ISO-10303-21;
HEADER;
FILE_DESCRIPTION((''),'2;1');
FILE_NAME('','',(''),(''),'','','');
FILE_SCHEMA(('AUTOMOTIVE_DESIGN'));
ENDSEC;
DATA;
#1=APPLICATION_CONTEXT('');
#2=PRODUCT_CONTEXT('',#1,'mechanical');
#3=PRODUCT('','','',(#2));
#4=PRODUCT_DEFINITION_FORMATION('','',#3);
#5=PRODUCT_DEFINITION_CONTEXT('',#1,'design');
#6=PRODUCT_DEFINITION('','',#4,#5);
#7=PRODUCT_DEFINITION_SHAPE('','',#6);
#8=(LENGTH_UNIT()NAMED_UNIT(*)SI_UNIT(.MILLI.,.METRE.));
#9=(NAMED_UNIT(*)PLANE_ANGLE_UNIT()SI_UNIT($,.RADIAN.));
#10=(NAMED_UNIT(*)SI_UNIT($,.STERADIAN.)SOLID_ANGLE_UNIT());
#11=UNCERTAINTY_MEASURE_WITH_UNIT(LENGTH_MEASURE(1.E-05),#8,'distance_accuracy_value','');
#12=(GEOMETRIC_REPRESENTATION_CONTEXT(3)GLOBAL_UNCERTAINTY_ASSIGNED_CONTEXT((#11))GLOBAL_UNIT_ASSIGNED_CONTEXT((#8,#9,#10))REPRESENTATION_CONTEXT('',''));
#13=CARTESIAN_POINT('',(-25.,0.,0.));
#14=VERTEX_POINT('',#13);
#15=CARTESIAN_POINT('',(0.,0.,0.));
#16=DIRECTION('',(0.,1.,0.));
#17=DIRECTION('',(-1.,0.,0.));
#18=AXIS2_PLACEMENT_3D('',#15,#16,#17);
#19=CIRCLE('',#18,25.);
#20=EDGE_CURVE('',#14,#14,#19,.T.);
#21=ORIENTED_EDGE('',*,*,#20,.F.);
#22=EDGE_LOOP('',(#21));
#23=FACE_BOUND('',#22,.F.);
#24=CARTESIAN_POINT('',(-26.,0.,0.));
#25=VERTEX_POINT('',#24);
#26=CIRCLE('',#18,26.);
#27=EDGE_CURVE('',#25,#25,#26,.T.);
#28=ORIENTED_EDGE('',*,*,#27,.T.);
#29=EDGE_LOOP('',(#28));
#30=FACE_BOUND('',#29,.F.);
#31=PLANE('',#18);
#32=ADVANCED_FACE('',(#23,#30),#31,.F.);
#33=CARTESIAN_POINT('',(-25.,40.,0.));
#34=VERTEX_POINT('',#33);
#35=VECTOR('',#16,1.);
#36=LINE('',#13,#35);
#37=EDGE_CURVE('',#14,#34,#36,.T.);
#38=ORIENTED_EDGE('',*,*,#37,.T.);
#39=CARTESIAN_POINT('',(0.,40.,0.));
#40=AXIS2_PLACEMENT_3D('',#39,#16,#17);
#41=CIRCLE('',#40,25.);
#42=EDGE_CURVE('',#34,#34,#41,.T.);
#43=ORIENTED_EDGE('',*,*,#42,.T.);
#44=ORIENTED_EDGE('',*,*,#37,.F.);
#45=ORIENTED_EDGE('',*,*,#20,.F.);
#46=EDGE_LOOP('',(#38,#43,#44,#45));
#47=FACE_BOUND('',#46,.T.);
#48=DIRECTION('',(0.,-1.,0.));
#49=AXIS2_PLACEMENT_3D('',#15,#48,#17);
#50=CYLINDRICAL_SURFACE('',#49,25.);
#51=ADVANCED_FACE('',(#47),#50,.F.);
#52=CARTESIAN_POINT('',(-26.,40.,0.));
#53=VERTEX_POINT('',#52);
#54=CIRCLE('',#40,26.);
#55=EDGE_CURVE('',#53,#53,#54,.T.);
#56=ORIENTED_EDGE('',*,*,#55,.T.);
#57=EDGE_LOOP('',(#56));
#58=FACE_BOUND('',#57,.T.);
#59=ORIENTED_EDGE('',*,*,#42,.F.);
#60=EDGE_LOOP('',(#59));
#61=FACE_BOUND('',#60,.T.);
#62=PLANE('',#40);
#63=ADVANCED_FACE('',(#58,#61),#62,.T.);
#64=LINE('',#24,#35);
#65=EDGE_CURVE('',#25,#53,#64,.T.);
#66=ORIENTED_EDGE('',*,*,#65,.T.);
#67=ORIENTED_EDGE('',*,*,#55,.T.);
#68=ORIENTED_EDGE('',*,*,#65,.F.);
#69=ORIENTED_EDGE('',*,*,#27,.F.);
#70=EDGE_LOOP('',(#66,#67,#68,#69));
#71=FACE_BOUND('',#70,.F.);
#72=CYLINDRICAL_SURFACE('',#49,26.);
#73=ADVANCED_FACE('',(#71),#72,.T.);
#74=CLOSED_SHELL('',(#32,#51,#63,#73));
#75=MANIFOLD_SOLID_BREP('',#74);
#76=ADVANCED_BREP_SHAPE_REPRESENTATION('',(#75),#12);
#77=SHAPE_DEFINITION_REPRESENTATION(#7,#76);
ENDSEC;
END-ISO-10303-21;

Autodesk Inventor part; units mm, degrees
ref_plane "YZ Plane" through (0, 0, 0) normal (1, 0, 0) x (0, 1, 0)
ref_plane "XZ Plane" through (0, 0, 0) normal (0, 1, 0) x (-1, 0, 0)
ref_plane "XY Plane" through (0, 0, 0) normal (0, 0, 1) x (1, 0, 0)
sketch "スケッチ1" plane through (0, 0, 0) normal (0, 1, 0) x (-1, 0, 0)
  circle A0 centre (0, 0) radius 26
  circle A1 centre (0, 0) radius 25
  dimension "d0" = 52
  dimension "d1" = 50
extrude "押し出し1" add sketch "スケッチ1" along normal blind 40
properties part number "Camera_pipe"
